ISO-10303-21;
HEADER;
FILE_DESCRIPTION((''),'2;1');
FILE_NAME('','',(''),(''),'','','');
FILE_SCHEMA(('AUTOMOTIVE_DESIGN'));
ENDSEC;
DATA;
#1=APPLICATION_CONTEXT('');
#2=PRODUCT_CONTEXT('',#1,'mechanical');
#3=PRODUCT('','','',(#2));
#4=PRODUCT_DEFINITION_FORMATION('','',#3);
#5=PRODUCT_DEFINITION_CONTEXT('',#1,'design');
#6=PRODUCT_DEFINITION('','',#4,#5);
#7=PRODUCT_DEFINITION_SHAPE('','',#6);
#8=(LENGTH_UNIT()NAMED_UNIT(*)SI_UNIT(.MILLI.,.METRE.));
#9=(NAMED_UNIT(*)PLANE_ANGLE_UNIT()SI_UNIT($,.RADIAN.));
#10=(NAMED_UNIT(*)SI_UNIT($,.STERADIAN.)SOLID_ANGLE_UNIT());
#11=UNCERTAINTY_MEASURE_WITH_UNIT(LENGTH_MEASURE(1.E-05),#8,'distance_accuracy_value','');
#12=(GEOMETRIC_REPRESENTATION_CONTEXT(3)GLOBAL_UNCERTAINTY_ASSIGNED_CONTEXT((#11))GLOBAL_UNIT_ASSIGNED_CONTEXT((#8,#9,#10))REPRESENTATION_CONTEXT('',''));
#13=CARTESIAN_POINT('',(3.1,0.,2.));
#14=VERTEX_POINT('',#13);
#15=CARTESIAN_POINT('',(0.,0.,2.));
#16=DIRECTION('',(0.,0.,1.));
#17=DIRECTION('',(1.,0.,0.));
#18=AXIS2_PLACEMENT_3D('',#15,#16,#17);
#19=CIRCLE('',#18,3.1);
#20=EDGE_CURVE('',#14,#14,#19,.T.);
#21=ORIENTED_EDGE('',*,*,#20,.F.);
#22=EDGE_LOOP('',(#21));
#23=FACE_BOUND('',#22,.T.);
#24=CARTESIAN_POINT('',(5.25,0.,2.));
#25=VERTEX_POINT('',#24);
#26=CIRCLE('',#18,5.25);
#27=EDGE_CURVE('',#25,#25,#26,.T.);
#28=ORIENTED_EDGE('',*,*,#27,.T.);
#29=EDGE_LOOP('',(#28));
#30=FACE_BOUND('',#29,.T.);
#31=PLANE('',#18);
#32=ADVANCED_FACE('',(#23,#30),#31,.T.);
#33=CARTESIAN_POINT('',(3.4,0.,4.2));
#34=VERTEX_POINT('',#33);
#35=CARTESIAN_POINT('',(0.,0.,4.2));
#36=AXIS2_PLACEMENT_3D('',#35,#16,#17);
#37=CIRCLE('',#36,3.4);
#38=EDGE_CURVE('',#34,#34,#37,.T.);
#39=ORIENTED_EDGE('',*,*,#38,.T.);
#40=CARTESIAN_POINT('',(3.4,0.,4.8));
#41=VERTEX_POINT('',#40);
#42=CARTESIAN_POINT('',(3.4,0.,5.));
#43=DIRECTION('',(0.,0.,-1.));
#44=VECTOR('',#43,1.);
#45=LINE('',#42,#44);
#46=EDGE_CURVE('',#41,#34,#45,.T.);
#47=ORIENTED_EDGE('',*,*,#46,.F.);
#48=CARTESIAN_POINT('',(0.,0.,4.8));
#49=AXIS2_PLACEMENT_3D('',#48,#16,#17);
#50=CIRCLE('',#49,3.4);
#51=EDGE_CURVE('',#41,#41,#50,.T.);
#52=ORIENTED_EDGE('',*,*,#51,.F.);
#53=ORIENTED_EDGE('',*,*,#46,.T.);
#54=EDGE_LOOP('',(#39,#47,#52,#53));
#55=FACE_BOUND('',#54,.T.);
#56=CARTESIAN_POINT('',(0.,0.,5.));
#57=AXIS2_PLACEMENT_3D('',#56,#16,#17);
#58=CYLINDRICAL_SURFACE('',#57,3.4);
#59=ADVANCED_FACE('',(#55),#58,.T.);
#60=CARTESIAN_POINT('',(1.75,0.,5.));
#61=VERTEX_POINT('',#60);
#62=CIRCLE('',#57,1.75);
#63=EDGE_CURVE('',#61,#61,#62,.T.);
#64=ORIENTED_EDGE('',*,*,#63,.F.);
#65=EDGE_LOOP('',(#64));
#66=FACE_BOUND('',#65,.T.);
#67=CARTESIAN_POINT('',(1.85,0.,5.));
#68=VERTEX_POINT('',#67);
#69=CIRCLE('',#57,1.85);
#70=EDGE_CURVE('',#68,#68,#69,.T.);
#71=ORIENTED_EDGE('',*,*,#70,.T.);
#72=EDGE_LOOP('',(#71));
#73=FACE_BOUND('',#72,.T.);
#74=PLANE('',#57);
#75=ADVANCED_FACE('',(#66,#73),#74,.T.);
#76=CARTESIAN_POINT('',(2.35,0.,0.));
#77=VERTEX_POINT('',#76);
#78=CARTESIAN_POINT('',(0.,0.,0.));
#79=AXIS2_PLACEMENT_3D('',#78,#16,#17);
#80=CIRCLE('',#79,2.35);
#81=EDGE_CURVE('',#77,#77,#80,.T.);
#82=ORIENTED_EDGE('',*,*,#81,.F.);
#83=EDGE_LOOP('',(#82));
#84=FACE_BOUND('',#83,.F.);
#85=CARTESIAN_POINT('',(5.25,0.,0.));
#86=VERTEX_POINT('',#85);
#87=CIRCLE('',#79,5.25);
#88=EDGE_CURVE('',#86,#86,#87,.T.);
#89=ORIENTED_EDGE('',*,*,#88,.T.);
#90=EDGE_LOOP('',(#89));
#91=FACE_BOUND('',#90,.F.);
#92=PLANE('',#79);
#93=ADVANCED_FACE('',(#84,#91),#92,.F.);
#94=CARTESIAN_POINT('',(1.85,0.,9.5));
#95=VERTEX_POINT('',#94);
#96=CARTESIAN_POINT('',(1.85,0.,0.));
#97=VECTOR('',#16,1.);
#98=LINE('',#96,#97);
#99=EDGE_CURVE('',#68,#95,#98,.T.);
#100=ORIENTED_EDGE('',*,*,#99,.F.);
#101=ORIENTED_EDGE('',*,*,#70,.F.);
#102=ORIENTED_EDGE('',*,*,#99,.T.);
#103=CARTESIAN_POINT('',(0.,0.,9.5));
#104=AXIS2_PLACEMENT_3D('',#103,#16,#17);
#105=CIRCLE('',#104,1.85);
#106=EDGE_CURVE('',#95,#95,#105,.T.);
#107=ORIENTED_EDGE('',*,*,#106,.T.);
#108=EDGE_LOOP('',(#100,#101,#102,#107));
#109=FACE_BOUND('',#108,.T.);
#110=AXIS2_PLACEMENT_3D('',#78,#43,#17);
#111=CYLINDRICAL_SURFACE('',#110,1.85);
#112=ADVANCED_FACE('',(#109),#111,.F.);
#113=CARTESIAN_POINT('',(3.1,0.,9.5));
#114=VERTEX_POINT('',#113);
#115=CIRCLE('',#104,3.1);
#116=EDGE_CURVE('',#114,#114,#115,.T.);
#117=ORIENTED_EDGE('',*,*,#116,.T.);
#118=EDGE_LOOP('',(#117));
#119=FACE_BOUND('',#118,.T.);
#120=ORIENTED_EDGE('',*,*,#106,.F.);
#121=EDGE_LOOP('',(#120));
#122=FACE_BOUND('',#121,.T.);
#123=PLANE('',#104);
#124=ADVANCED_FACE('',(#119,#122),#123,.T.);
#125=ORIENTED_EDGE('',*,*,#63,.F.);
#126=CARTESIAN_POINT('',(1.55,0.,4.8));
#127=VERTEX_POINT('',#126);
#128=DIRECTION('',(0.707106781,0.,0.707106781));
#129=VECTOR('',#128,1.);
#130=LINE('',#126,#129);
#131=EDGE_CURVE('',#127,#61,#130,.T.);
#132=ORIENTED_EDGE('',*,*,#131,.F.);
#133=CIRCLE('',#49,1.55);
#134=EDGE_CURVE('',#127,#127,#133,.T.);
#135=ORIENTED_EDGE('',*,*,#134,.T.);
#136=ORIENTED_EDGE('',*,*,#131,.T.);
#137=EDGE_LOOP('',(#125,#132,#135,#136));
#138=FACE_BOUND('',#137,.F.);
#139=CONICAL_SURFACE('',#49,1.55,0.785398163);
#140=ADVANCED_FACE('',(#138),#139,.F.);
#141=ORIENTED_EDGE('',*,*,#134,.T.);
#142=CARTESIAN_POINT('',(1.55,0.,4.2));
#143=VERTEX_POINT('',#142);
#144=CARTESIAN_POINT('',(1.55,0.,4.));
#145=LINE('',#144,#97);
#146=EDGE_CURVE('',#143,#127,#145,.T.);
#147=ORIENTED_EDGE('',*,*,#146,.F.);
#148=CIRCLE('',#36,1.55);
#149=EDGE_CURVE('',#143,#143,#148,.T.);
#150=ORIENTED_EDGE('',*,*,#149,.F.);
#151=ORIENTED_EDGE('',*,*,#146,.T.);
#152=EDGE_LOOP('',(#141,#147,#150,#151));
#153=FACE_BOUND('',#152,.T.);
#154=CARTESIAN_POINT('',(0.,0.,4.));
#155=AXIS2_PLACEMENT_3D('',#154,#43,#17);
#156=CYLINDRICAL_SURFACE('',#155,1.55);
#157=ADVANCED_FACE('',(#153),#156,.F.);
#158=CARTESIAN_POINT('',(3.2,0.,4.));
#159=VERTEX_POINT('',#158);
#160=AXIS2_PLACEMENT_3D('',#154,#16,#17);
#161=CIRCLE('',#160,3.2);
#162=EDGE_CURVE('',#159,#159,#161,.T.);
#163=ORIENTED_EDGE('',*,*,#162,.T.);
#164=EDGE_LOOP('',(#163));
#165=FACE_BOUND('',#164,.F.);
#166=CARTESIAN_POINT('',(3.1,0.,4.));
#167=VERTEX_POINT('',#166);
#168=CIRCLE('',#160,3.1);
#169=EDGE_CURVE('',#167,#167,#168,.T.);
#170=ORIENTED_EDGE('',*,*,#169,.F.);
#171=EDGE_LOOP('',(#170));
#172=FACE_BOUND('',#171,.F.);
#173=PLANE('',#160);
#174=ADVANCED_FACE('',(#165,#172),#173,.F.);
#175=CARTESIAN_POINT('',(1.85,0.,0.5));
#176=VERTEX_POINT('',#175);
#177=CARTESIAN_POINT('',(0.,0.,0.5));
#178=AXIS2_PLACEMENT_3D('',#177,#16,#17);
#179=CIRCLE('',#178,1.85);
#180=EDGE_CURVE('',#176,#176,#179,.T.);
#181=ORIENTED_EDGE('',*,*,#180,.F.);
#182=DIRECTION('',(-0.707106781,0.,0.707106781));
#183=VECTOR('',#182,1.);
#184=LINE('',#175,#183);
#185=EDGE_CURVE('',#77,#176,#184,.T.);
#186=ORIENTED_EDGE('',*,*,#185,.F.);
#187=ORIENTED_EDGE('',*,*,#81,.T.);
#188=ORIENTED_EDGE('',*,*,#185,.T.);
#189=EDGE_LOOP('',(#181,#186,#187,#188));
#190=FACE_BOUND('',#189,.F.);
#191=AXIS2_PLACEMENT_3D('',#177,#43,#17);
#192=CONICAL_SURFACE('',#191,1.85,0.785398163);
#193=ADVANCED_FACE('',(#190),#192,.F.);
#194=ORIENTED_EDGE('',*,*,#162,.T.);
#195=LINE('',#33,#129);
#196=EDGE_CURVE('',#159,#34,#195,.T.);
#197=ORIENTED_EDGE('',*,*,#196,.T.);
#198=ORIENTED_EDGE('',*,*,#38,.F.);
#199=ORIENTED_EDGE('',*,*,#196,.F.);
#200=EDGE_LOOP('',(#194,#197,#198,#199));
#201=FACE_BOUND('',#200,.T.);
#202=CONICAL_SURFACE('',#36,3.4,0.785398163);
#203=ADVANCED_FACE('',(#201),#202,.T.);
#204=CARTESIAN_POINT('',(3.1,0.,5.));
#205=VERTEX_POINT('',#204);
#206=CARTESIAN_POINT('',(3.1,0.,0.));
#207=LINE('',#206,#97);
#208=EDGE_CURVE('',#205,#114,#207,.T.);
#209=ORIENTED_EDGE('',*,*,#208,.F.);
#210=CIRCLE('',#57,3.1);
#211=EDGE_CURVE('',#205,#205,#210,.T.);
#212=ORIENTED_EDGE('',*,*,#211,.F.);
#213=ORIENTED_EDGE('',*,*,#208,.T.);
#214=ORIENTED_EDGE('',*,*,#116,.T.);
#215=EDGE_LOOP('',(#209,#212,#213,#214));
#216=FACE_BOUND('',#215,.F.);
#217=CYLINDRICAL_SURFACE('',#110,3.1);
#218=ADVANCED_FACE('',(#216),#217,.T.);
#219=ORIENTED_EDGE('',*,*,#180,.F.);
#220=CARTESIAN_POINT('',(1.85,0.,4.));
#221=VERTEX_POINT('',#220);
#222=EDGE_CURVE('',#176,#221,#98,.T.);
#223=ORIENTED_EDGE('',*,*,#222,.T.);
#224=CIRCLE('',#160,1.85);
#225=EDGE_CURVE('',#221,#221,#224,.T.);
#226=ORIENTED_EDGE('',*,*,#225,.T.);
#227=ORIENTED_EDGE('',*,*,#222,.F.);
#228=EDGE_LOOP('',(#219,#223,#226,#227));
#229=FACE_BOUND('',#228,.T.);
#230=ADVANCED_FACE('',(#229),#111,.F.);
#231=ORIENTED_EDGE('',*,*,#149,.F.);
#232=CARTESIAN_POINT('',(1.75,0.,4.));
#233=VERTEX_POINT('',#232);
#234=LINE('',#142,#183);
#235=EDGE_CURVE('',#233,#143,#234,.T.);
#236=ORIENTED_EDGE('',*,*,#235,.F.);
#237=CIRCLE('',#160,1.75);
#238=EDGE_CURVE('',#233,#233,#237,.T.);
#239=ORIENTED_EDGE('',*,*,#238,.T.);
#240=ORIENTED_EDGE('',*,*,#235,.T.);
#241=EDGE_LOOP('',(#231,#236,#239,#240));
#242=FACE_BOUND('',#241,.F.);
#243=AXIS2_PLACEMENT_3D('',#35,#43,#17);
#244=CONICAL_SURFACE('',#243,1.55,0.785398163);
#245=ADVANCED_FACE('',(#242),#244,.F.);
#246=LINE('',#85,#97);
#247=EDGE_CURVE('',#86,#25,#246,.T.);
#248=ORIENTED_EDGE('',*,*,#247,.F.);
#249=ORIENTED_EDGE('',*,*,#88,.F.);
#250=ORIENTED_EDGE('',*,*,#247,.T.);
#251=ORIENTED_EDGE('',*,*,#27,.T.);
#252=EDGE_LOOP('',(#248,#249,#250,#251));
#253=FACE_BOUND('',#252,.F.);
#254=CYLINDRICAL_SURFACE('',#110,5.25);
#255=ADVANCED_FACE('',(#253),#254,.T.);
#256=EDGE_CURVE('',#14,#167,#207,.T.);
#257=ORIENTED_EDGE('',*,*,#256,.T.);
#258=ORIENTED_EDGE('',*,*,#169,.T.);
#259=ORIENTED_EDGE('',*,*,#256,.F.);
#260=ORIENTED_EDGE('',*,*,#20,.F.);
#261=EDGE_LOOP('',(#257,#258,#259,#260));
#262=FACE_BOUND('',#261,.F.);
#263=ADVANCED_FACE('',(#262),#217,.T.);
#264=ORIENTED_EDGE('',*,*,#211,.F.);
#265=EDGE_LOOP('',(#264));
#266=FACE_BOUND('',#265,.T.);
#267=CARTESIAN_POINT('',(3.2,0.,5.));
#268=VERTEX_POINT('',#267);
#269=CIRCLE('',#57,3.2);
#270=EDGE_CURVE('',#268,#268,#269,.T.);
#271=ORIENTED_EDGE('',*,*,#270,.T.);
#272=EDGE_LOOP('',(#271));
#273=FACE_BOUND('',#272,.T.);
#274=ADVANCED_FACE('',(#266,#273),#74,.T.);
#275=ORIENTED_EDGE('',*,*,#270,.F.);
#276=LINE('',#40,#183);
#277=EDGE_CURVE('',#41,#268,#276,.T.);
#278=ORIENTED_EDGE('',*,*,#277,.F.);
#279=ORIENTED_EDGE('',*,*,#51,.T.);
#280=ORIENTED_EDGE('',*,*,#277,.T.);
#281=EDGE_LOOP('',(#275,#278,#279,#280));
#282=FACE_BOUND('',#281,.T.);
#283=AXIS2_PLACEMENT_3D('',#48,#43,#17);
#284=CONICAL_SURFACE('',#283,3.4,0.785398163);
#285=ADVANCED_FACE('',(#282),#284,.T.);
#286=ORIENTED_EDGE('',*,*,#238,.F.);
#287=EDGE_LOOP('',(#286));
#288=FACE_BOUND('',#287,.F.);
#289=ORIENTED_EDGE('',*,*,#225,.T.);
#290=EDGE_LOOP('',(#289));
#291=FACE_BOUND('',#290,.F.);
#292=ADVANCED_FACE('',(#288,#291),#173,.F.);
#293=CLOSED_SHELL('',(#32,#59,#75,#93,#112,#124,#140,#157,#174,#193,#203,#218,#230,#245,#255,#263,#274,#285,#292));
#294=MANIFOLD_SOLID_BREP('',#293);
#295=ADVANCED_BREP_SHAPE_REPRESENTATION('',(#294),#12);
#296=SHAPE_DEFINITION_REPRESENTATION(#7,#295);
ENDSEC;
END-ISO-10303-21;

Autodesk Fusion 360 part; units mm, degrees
sketch "Sketch1" plane through (0, 0, 0) normal (0, 0, 1) x (1, 0, 0)
  circle A0 centre (0, 0) radius 5.25
  circle A1 centre (0, 0) radius 3.1
  circle A2 centre (0, 0) radius 1.85
  circle A3 centre (0, 0) radius 3.4
  circle A4 centre (0, 0) radius 1.55
  dimension "d1" = 10.5
  dimension "d2" = 6.2
  dimension "d3" = 3.7
  dimension "d21" = 0.3
  dimension "d22" = 0.3
extrude "Extrude1" add sketch "Sketch1" along normal blind 9.5 contours A1
extrude "Extrude2" add sketch "Sketch1" along normal blind 2 contours A0 | A3
extrude "Extrude3" add sketch "Sketch1" along normal blind 4 and the other way blind -5 contours A3
chamfer "Chamfer1" distance 0.2 angle 45 2 edges at (-3.1699, -1.2295, 4) (-3.1699, -1.2295, 5)
chamfer "Chamfer2" distance 0.5 angle 45 1 edges at (-1.7248, 0.669, 0)
extrude "Extrude4" add sketch "Sketch1" along normal blind 5 and the other way blind -4 contours A2
chamfer "Chamfer3" distance 0.2 angle 45 2 edges at (-1.4451, 0.5605, 5) (-1.4451, 0.5605, 4)
equation "d2 = OuterRadius"
equation "d3 = InnerRadius"
equation "d21 = NotchThickness"
equation "d22 = NotchThickness"
equation "InnerRadius = 3.7 mm"
equation "OuterRadius = 6.2 mm"
equation "NotchThickness = 0.30 mm"
